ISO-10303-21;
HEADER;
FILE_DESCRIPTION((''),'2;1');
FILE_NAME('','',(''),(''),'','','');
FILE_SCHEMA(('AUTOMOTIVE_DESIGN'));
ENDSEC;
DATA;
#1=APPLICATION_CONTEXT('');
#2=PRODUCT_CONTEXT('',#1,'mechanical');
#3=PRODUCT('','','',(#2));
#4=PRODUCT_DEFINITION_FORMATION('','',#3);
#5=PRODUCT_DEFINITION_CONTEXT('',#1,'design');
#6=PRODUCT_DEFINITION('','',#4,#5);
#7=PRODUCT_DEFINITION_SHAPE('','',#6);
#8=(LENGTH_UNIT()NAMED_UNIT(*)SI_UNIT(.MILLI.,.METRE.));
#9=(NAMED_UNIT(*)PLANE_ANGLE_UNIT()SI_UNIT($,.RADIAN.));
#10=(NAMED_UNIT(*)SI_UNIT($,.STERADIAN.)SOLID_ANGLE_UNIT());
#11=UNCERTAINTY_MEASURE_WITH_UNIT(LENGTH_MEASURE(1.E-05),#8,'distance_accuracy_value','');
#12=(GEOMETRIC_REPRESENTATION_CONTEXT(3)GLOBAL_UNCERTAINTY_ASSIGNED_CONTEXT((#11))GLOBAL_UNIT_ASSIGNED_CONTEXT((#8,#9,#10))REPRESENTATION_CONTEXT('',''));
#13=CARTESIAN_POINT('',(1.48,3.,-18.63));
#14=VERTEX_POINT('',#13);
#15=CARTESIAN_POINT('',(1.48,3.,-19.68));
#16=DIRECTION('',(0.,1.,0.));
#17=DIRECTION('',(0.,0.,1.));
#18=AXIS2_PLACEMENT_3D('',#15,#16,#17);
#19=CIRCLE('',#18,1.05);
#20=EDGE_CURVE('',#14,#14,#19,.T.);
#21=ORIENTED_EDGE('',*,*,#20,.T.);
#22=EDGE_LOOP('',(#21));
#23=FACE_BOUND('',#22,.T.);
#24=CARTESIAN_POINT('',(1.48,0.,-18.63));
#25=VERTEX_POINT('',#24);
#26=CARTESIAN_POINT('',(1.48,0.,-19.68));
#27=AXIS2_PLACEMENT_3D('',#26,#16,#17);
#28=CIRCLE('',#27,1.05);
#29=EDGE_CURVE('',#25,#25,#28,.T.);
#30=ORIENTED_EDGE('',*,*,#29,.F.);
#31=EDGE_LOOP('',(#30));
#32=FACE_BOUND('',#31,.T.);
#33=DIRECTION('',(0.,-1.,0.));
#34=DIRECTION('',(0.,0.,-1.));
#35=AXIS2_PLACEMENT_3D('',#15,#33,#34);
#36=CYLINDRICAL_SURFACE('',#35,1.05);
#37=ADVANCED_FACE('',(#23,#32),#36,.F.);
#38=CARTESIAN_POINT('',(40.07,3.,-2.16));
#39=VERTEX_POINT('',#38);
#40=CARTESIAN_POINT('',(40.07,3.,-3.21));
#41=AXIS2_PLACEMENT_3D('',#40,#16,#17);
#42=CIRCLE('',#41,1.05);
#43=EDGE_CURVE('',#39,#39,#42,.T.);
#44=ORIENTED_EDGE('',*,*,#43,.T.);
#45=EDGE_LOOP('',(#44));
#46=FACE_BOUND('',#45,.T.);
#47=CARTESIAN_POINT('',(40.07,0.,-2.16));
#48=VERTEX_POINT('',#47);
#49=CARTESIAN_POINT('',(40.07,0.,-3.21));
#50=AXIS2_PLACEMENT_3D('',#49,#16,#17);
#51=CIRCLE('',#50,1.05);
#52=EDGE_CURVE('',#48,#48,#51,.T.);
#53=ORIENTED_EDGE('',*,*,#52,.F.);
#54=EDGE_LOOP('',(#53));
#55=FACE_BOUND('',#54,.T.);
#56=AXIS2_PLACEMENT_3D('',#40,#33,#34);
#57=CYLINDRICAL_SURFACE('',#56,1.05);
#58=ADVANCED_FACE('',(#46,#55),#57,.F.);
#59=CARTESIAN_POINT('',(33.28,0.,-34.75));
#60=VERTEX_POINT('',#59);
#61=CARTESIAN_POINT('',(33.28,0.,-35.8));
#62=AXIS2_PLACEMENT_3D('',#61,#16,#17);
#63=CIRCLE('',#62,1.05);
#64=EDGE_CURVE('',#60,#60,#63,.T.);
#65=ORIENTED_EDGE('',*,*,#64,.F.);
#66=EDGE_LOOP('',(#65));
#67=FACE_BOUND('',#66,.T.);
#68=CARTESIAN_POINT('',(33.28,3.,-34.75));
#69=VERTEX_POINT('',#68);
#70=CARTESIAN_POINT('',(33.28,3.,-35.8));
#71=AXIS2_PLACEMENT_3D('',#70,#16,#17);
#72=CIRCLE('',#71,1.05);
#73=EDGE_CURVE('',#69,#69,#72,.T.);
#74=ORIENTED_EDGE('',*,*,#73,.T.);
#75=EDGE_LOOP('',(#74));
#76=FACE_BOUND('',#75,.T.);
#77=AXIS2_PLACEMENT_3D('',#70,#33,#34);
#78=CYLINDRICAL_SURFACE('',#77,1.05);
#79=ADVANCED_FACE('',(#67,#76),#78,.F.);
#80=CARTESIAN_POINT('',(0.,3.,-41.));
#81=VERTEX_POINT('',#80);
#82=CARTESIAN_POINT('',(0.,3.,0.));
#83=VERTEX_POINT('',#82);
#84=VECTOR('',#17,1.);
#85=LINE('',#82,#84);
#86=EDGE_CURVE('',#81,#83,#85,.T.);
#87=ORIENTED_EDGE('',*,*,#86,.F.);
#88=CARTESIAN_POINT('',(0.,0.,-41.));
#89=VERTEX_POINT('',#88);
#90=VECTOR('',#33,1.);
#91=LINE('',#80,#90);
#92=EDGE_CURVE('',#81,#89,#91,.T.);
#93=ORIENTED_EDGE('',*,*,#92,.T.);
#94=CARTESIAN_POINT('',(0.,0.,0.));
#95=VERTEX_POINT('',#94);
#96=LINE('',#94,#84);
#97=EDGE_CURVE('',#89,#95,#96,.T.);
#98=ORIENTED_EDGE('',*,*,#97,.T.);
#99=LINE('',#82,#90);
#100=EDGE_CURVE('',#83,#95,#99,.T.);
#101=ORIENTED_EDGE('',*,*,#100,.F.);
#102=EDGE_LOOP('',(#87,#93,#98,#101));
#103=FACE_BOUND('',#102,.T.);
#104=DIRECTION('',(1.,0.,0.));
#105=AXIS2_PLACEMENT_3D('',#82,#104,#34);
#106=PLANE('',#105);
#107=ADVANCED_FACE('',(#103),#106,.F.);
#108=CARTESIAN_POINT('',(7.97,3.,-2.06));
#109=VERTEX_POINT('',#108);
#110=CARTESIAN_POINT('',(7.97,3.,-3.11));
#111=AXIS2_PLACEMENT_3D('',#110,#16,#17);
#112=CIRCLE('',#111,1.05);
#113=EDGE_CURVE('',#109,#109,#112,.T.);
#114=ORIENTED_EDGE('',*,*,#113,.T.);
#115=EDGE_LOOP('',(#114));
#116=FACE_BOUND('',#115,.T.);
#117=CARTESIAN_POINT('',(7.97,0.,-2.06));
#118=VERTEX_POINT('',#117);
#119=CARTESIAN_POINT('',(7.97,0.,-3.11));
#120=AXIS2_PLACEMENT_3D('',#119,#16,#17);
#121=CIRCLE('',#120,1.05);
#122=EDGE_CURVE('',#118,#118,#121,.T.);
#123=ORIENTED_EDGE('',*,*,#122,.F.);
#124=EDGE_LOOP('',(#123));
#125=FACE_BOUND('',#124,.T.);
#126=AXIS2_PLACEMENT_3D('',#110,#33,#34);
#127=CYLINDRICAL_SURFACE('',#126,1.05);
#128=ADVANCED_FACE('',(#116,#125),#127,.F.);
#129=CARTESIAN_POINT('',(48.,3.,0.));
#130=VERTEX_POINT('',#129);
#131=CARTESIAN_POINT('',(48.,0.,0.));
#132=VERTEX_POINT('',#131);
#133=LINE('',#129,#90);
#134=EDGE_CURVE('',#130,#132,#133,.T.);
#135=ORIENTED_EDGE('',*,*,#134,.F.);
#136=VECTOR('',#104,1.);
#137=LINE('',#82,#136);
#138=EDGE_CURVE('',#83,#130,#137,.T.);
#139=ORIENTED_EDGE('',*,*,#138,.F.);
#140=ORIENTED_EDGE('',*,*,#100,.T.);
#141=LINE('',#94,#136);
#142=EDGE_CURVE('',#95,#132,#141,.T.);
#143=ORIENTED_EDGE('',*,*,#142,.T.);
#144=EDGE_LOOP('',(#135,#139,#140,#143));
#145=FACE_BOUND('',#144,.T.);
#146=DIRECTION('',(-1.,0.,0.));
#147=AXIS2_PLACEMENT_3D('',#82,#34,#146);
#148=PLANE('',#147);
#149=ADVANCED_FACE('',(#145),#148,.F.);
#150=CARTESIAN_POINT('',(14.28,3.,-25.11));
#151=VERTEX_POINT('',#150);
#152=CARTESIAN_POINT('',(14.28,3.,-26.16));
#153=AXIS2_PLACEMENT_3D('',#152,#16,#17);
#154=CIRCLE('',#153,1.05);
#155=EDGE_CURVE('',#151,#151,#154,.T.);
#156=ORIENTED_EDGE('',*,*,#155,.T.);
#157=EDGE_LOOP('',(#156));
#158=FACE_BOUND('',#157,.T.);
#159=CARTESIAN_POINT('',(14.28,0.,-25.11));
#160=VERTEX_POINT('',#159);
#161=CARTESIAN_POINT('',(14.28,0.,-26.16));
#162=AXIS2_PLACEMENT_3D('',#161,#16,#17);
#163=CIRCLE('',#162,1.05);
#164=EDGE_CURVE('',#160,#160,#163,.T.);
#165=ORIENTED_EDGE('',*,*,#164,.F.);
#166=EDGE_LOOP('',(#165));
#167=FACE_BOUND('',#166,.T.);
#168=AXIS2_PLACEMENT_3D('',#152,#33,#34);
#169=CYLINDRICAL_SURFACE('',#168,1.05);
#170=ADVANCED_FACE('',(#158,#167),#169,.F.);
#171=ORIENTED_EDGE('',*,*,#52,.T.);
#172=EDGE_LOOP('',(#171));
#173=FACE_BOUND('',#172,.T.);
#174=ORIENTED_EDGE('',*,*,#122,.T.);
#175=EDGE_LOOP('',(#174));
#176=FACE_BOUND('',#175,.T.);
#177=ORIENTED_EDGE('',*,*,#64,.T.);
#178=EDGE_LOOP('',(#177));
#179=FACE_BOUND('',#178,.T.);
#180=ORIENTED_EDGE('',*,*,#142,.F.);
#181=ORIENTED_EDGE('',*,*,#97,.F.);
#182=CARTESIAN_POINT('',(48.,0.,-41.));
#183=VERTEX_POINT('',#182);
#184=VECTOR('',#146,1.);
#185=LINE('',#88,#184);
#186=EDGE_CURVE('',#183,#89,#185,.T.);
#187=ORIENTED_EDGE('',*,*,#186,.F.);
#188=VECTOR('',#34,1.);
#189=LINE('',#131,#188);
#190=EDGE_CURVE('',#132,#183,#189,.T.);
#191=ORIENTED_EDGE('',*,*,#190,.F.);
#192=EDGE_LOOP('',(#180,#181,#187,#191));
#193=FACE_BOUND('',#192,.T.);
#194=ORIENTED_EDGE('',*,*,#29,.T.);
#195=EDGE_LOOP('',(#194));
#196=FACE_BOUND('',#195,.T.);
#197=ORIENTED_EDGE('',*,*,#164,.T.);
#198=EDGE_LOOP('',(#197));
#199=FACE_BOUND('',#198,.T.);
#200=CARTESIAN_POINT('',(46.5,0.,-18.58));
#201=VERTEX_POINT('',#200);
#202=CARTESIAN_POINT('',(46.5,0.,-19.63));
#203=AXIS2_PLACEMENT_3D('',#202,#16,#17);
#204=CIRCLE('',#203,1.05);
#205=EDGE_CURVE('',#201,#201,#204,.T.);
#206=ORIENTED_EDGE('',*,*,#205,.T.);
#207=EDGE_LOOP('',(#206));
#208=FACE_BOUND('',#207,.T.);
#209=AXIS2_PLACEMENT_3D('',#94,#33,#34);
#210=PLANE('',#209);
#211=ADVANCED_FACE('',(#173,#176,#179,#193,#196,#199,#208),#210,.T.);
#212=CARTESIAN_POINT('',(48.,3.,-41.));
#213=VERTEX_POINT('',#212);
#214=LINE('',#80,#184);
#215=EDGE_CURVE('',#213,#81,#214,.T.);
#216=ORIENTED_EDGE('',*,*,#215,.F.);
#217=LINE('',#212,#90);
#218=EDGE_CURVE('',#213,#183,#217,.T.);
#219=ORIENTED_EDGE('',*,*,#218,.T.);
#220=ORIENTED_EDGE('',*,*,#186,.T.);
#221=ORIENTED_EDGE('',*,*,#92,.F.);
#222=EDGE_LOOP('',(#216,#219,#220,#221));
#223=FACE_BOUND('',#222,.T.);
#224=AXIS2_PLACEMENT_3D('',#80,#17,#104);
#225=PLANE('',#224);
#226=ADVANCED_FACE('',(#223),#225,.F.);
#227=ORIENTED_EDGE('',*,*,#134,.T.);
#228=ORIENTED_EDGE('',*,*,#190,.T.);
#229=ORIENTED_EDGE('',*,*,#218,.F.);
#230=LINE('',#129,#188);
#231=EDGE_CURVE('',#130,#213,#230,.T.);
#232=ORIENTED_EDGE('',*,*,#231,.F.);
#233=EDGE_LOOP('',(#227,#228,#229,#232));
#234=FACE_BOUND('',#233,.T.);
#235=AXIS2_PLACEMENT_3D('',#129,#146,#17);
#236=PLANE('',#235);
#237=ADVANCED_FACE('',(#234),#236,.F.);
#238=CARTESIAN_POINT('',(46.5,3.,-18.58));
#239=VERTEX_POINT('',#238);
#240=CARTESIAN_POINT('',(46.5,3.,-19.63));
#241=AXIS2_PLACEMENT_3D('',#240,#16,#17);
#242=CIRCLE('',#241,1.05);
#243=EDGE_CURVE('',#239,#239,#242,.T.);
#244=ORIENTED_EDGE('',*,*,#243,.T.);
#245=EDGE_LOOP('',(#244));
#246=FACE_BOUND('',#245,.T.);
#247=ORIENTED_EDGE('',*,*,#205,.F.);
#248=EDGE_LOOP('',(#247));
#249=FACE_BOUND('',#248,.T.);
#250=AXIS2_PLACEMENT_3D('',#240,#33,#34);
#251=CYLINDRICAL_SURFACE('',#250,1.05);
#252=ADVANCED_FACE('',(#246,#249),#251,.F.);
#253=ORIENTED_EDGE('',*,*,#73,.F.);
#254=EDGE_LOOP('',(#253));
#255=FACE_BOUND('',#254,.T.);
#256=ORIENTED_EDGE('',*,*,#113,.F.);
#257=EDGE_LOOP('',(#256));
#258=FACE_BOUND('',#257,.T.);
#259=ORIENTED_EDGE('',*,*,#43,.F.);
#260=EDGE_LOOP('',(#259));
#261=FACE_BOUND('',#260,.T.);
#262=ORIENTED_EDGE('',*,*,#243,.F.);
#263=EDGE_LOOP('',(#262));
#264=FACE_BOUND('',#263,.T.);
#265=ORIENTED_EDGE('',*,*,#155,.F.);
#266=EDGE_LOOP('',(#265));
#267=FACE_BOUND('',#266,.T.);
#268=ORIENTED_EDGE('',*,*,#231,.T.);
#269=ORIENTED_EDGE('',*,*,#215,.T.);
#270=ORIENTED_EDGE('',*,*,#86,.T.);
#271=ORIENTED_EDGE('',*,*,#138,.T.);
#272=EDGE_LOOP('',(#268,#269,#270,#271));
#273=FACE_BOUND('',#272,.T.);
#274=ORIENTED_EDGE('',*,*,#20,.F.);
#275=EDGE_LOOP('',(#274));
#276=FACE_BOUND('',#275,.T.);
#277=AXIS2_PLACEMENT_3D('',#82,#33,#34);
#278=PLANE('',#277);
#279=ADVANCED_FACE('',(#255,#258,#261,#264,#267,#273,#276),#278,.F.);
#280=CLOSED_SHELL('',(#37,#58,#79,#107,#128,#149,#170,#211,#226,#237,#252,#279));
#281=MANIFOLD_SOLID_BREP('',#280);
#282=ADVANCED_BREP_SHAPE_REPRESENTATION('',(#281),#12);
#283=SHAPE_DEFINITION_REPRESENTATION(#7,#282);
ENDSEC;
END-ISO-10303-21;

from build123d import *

# Parameters (mm, degrees)
SKETCH_1_W      = 48
SKETCH_1_H      = 41
SKETCH_1_R      = 1.05
EXTRUDE_1_DEPTH = 3


with BuildPart() as part:
    # 草图1 → 凸台-拉伸1 (new body)
    with BuildSketch(Plane(origin=(0, 0, 0), x_dir=(1, 0, 0), z_dir=(0, 1, 0))):
        with Locations((24, 20.5)):
            Rectangle(SKETCH_1_W, SKETCH_1_H)
        with Locations(Location((7.97, 3.11, 0), (0, 0, 270))):
            Circle(SKETCH_1_R, mode=Mode.SUBTRACT)
        with Locations(Location((1.48, 19.68, 0), (0, 0, 270))):
            Circle(SKETCH_1_R, mode=Mode.SUBTRACT)
        with Locations(Location((14.28, 26.16, 0), (0, 0, 270))):
            Circle(SKETCH_1_R, mode=Mode.SUBTRACT)
        with Locations(Location((40.07, 3.21, 0), (0, 0, 270))):
            Circle(SKETCH_1_R, mode=Mode.SUBTRACT)
        with Locations(Location((46.5, 19.63, 0), (0, 0, 270))):
            Circle(SKETCH_1_R, mode=Mode.SUBTRACT)
        with Locations(Location((33.28, 35.8, 0), (0, 0, 270))):
            Circle(SKETCH_1_R, mode=Mode.SUBTRACT)
    extrude(amount=EXTRUDE_1_DEPTH)


solid = part.part
